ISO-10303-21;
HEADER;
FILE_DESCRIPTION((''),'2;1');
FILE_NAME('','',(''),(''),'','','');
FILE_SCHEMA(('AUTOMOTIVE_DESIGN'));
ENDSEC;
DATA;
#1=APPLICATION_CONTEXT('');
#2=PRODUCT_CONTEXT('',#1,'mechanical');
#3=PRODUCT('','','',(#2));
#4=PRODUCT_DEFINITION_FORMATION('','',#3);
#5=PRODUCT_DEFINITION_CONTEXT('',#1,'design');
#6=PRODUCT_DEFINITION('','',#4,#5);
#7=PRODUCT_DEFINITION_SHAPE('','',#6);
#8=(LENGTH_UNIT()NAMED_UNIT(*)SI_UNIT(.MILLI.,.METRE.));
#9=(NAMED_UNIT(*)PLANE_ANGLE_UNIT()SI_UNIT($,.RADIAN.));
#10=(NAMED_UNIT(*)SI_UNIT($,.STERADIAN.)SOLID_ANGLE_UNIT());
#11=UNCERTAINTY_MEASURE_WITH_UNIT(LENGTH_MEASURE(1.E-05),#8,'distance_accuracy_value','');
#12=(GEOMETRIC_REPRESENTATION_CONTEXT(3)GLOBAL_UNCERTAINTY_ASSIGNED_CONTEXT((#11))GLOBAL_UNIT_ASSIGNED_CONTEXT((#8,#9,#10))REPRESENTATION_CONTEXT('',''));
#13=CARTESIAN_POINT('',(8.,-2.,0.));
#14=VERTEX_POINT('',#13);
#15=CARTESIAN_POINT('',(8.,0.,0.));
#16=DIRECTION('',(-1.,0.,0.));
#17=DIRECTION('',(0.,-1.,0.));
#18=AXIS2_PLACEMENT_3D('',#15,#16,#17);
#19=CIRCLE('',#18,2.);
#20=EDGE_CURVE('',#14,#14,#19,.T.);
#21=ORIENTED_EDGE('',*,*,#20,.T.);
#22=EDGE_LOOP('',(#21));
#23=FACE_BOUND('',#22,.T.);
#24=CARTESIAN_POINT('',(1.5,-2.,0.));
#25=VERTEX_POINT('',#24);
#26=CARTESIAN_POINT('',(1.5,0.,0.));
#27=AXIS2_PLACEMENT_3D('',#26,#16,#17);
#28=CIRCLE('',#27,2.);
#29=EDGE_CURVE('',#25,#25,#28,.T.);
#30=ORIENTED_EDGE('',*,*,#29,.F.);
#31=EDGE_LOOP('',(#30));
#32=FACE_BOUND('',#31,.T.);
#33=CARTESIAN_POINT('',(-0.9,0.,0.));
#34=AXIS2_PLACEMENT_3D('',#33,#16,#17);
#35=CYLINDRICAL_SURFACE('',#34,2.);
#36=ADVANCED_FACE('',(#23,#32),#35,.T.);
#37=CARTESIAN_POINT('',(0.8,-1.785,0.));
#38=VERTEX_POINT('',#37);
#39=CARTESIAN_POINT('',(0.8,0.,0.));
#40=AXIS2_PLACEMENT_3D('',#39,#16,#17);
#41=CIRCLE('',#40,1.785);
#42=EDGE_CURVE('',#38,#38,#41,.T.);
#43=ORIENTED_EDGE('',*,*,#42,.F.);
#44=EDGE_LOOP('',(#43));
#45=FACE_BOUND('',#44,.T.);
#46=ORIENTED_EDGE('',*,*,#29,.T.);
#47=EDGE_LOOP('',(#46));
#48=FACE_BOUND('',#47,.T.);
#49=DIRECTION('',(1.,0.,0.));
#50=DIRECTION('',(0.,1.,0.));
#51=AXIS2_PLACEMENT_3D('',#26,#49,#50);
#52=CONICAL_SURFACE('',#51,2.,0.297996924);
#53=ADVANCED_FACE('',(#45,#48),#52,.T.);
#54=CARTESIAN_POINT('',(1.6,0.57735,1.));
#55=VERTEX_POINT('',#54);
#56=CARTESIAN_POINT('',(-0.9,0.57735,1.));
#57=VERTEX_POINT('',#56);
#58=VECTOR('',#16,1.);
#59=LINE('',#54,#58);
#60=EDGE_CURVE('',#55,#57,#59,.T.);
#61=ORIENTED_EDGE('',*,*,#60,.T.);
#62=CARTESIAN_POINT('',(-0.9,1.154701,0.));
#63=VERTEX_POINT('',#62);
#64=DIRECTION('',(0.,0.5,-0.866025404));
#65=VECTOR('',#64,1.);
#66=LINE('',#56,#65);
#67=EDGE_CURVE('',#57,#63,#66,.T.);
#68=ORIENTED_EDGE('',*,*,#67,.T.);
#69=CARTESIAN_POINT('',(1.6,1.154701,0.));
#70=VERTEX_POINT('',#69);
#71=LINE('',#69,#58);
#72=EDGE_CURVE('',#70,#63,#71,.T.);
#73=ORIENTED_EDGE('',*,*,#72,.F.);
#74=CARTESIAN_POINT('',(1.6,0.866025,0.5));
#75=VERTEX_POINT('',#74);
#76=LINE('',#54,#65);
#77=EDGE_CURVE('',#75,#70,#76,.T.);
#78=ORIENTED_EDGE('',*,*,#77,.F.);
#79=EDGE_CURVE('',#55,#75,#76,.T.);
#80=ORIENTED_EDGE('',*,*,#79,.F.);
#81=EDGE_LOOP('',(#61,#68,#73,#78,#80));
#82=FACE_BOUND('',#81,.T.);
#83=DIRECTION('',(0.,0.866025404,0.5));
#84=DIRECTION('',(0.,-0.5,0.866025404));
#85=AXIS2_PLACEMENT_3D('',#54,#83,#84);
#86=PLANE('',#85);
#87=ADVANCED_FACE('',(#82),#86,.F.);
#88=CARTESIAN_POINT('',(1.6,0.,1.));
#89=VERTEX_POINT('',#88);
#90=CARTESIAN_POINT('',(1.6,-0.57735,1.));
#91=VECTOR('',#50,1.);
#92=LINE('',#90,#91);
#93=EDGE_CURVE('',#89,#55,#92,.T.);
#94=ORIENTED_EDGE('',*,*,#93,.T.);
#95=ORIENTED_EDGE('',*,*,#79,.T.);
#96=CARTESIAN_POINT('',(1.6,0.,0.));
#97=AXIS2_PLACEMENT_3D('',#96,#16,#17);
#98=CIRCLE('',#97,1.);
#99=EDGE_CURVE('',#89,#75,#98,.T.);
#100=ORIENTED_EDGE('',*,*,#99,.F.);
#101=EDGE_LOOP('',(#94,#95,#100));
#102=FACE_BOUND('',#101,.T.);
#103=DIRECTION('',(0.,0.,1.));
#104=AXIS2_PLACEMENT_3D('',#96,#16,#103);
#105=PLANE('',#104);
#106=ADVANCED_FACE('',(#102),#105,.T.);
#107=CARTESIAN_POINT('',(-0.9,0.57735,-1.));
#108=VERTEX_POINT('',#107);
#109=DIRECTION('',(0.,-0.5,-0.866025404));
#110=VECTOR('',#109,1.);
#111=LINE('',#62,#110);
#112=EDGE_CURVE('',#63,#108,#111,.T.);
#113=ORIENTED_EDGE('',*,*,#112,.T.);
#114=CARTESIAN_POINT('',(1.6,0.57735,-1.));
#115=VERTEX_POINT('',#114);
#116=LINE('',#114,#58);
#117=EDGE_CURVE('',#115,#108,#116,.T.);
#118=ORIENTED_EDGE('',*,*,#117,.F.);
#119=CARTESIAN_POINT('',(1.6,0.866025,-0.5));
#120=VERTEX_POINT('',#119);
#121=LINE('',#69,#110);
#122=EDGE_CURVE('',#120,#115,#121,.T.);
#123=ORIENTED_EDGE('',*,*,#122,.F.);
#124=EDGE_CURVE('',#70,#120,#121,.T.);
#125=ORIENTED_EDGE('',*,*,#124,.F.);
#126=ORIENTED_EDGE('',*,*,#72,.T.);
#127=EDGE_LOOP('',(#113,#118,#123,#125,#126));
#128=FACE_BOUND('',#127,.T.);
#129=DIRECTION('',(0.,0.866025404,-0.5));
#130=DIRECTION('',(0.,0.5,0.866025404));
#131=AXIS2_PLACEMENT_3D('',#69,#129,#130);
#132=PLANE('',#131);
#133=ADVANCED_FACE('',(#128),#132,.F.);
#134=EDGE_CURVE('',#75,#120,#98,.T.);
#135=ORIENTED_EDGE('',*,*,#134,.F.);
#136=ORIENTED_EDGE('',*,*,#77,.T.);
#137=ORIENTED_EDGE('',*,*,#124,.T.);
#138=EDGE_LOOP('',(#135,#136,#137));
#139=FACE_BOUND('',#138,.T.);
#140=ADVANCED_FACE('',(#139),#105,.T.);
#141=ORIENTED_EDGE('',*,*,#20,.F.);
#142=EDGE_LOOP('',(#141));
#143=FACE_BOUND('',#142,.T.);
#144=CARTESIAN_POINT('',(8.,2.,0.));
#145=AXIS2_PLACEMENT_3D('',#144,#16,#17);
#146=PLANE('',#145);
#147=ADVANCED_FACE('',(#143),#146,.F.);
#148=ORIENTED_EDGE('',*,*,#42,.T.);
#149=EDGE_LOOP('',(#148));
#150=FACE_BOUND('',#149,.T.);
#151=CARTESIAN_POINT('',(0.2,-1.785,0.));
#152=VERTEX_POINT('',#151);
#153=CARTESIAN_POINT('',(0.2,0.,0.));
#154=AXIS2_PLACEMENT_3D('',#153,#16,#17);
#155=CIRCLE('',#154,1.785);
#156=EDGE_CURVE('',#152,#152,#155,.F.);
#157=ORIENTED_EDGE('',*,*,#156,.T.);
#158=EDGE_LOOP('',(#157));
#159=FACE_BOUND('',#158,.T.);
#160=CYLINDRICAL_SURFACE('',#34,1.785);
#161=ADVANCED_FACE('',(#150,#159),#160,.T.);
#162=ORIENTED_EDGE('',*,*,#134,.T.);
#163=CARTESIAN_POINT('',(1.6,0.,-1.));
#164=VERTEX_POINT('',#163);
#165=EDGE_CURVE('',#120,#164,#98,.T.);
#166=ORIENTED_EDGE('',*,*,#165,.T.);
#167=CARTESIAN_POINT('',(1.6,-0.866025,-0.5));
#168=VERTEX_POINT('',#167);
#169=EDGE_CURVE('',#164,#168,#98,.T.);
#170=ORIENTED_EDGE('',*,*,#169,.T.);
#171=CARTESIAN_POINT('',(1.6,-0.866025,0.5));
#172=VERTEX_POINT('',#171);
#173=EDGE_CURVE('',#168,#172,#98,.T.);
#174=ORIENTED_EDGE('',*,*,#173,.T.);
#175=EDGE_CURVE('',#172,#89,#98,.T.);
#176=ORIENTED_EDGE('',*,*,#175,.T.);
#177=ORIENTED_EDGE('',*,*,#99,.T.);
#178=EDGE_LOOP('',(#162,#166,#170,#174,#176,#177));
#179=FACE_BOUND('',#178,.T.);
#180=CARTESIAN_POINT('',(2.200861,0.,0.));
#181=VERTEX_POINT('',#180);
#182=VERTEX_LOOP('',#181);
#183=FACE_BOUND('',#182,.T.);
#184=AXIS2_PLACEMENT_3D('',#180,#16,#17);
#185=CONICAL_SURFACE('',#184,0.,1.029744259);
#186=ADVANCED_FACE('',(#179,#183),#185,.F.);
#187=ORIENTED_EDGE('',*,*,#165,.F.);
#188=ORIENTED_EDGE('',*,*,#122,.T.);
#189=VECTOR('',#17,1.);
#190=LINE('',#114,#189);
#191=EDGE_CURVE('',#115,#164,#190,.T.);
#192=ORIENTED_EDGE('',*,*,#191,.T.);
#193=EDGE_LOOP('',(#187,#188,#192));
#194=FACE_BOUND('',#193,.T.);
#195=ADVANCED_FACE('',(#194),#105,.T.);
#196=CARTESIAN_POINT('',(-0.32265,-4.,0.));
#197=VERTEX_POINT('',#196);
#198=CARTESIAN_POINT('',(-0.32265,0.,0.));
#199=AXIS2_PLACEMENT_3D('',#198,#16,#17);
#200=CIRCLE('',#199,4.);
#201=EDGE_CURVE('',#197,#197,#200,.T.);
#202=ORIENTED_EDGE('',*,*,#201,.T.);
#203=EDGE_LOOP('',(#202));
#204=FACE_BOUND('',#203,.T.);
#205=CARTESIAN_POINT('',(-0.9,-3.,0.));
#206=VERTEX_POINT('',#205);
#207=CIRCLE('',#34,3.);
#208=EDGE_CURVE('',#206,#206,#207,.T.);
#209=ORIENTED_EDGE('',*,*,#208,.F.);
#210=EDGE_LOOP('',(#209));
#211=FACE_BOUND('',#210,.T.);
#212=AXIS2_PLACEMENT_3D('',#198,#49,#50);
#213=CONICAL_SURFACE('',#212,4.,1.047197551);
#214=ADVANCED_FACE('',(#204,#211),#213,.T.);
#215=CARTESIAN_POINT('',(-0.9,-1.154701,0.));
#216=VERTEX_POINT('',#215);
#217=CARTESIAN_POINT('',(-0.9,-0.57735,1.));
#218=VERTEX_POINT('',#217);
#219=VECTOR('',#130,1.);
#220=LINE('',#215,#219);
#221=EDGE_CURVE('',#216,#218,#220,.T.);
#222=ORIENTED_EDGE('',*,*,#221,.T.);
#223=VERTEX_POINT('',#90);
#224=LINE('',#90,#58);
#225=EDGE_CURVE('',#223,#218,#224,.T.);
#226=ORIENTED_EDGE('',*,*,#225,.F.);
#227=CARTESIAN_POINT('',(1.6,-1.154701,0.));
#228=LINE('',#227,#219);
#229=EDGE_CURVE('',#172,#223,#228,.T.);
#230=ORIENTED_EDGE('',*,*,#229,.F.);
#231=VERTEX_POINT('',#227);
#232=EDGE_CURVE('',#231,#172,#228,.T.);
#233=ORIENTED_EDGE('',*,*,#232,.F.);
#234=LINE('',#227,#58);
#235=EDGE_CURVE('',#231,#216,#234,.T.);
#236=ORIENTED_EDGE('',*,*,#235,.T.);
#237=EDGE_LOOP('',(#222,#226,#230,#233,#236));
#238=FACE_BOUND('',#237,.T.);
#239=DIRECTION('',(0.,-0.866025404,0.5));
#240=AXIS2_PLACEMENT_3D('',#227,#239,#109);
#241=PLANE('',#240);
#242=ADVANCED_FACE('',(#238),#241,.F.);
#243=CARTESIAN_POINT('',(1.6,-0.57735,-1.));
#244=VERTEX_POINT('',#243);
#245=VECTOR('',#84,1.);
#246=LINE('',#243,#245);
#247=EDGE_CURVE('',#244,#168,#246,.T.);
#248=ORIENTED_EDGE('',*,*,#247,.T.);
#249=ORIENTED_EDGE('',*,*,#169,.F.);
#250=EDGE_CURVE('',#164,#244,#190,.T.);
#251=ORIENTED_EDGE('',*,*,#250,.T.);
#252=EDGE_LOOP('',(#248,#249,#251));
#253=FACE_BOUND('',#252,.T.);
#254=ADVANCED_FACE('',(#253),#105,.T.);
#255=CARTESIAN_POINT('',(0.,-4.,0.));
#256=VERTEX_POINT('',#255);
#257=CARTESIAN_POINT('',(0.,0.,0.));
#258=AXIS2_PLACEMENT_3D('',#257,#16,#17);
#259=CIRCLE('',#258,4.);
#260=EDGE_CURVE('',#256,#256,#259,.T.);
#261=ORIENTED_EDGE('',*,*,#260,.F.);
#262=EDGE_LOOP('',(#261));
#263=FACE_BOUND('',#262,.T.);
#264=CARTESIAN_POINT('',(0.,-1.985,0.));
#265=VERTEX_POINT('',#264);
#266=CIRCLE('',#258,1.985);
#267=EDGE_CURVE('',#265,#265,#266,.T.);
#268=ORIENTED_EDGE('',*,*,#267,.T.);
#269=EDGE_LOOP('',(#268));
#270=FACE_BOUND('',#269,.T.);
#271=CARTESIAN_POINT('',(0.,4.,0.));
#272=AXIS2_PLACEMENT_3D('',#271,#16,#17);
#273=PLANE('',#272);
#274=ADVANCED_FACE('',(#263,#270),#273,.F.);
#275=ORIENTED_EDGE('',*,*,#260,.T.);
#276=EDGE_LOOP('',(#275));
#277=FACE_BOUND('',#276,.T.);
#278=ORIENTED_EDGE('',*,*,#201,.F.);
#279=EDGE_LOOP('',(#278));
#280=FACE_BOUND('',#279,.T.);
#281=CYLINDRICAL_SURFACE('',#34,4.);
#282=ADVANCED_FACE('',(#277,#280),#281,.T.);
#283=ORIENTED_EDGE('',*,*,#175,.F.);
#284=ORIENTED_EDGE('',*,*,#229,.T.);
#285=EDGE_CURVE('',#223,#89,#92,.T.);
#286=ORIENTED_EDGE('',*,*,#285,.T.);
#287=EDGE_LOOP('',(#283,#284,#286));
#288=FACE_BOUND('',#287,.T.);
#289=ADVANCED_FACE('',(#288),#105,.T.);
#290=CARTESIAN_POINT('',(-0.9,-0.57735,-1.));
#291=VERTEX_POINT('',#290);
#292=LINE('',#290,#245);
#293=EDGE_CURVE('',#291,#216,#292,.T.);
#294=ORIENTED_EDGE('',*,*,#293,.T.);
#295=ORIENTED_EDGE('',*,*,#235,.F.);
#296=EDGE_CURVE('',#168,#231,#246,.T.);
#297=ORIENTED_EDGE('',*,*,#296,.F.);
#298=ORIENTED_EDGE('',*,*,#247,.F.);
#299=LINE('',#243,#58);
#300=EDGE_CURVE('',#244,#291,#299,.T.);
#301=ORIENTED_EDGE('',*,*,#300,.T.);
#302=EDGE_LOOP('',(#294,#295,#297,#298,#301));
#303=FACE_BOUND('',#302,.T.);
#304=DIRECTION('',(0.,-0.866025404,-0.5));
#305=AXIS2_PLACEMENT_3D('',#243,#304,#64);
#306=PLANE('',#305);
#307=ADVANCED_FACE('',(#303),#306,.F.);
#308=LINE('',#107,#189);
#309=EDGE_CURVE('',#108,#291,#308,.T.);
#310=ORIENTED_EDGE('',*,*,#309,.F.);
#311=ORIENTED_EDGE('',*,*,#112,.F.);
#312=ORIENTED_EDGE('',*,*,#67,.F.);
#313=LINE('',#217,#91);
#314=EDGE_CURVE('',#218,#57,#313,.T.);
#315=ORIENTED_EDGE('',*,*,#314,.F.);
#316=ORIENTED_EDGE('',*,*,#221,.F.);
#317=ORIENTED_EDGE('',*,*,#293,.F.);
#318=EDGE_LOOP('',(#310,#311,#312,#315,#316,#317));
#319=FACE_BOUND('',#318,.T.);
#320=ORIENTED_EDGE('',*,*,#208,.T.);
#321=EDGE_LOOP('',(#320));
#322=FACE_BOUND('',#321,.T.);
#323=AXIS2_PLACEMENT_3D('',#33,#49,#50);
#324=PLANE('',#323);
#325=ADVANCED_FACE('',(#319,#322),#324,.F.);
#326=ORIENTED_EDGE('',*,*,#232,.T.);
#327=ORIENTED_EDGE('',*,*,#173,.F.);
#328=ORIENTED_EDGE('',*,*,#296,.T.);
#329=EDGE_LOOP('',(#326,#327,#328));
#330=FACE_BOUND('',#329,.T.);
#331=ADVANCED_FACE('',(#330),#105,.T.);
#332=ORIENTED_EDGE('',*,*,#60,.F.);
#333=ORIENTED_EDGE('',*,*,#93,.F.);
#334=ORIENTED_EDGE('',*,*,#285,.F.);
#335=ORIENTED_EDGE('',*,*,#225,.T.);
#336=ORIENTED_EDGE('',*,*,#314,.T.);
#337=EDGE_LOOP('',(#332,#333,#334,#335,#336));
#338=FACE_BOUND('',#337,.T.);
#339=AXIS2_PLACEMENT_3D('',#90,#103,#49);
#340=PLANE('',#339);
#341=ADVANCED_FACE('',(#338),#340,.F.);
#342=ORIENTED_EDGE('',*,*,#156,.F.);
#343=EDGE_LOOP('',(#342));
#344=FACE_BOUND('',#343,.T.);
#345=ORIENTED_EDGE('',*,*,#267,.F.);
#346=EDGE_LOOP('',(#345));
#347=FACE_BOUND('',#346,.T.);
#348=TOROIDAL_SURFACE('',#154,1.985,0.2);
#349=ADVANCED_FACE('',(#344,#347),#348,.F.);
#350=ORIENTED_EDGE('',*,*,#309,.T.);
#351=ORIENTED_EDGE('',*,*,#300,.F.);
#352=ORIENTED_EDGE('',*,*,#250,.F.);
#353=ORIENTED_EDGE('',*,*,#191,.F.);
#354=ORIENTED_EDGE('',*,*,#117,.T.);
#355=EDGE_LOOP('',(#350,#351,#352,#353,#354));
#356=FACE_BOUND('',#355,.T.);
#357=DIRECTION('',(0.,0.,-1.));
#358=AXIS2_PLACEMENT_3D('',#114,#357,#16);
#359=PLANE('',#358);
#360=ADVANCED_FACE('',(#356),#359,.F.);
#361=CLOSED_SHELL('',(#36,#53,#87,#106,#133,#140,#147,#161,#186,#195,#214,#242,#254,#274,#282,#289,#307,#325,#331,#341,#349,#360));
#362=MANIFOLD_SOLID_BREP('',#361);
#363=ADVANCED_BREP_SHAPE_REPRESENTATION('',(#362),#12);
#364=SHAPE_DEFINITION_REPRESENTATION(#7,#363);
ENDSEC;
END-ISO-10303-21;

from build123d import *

# Parameters (mm, degrees)
FILLET1_R          = 0.2
CUT_EXTRUDE1_DEPTH = 2.5


with BuildPart() as part:
    # Sketch1 → Revolve1 (revolve)
    with BuildSketch(Plane.XY, mode=Mode.PRIVATE) as revolve1_sk:
        Polygon((-0.9, 0), (-0.9, 3), (-0.322649731, 4), (0, 4), (0, 1.785), (0.8, 1.785), (1.5, 2), (8, 2), (8, 0), align=None)
    revolve(revolve1_sk.sketch.rotate(Axis((-0.9, 0, 0), (1, 0, 0)), 180), axis=Axis((-0.9, 0, 0), (1, 0, 0)))

    # Fillet1
    fillet1_edges = [part.edges().sort_by_distance(p)[0] for p in [
        (0, 1.785, 0),
    ]]
    fillet(fillet1_edges, radius=FILLET1_R)

    # Sketch2 → Cut-Extrude1 (cut)
    with BuildSketch(Plane.ZY.offset(0.9)):
        Polygon((0, 1.154700538), (-1, 0.577350269), (-1, -0.577350269), (0, -1.154700538), (1, -0.577350269), (1, 0.577350269), align=None)
    extrude(amount=-CUT_EXTRUDE1_DEPTH, mode=Mode.SUBTRACT)

    # Sketch3 → Cut-Revolve1 (revolve, cut)
    with BuildSketch(Plane.XY, mode=Mode.PRIVATE) as cut_revolve1_sk:
        Polygon((1.6, 0), (1.6, 1), (2.200860619, 0), align=None)
    revolve(cut_revolve1_sk.sketch.rotate(Axis((1.6, 0, 0), (1, 0, 0)), 180), axis=Axis((1.6, 0, 0), (1, 0, 0)), mode=Mode.SUBTRACT)


solid = part.part
